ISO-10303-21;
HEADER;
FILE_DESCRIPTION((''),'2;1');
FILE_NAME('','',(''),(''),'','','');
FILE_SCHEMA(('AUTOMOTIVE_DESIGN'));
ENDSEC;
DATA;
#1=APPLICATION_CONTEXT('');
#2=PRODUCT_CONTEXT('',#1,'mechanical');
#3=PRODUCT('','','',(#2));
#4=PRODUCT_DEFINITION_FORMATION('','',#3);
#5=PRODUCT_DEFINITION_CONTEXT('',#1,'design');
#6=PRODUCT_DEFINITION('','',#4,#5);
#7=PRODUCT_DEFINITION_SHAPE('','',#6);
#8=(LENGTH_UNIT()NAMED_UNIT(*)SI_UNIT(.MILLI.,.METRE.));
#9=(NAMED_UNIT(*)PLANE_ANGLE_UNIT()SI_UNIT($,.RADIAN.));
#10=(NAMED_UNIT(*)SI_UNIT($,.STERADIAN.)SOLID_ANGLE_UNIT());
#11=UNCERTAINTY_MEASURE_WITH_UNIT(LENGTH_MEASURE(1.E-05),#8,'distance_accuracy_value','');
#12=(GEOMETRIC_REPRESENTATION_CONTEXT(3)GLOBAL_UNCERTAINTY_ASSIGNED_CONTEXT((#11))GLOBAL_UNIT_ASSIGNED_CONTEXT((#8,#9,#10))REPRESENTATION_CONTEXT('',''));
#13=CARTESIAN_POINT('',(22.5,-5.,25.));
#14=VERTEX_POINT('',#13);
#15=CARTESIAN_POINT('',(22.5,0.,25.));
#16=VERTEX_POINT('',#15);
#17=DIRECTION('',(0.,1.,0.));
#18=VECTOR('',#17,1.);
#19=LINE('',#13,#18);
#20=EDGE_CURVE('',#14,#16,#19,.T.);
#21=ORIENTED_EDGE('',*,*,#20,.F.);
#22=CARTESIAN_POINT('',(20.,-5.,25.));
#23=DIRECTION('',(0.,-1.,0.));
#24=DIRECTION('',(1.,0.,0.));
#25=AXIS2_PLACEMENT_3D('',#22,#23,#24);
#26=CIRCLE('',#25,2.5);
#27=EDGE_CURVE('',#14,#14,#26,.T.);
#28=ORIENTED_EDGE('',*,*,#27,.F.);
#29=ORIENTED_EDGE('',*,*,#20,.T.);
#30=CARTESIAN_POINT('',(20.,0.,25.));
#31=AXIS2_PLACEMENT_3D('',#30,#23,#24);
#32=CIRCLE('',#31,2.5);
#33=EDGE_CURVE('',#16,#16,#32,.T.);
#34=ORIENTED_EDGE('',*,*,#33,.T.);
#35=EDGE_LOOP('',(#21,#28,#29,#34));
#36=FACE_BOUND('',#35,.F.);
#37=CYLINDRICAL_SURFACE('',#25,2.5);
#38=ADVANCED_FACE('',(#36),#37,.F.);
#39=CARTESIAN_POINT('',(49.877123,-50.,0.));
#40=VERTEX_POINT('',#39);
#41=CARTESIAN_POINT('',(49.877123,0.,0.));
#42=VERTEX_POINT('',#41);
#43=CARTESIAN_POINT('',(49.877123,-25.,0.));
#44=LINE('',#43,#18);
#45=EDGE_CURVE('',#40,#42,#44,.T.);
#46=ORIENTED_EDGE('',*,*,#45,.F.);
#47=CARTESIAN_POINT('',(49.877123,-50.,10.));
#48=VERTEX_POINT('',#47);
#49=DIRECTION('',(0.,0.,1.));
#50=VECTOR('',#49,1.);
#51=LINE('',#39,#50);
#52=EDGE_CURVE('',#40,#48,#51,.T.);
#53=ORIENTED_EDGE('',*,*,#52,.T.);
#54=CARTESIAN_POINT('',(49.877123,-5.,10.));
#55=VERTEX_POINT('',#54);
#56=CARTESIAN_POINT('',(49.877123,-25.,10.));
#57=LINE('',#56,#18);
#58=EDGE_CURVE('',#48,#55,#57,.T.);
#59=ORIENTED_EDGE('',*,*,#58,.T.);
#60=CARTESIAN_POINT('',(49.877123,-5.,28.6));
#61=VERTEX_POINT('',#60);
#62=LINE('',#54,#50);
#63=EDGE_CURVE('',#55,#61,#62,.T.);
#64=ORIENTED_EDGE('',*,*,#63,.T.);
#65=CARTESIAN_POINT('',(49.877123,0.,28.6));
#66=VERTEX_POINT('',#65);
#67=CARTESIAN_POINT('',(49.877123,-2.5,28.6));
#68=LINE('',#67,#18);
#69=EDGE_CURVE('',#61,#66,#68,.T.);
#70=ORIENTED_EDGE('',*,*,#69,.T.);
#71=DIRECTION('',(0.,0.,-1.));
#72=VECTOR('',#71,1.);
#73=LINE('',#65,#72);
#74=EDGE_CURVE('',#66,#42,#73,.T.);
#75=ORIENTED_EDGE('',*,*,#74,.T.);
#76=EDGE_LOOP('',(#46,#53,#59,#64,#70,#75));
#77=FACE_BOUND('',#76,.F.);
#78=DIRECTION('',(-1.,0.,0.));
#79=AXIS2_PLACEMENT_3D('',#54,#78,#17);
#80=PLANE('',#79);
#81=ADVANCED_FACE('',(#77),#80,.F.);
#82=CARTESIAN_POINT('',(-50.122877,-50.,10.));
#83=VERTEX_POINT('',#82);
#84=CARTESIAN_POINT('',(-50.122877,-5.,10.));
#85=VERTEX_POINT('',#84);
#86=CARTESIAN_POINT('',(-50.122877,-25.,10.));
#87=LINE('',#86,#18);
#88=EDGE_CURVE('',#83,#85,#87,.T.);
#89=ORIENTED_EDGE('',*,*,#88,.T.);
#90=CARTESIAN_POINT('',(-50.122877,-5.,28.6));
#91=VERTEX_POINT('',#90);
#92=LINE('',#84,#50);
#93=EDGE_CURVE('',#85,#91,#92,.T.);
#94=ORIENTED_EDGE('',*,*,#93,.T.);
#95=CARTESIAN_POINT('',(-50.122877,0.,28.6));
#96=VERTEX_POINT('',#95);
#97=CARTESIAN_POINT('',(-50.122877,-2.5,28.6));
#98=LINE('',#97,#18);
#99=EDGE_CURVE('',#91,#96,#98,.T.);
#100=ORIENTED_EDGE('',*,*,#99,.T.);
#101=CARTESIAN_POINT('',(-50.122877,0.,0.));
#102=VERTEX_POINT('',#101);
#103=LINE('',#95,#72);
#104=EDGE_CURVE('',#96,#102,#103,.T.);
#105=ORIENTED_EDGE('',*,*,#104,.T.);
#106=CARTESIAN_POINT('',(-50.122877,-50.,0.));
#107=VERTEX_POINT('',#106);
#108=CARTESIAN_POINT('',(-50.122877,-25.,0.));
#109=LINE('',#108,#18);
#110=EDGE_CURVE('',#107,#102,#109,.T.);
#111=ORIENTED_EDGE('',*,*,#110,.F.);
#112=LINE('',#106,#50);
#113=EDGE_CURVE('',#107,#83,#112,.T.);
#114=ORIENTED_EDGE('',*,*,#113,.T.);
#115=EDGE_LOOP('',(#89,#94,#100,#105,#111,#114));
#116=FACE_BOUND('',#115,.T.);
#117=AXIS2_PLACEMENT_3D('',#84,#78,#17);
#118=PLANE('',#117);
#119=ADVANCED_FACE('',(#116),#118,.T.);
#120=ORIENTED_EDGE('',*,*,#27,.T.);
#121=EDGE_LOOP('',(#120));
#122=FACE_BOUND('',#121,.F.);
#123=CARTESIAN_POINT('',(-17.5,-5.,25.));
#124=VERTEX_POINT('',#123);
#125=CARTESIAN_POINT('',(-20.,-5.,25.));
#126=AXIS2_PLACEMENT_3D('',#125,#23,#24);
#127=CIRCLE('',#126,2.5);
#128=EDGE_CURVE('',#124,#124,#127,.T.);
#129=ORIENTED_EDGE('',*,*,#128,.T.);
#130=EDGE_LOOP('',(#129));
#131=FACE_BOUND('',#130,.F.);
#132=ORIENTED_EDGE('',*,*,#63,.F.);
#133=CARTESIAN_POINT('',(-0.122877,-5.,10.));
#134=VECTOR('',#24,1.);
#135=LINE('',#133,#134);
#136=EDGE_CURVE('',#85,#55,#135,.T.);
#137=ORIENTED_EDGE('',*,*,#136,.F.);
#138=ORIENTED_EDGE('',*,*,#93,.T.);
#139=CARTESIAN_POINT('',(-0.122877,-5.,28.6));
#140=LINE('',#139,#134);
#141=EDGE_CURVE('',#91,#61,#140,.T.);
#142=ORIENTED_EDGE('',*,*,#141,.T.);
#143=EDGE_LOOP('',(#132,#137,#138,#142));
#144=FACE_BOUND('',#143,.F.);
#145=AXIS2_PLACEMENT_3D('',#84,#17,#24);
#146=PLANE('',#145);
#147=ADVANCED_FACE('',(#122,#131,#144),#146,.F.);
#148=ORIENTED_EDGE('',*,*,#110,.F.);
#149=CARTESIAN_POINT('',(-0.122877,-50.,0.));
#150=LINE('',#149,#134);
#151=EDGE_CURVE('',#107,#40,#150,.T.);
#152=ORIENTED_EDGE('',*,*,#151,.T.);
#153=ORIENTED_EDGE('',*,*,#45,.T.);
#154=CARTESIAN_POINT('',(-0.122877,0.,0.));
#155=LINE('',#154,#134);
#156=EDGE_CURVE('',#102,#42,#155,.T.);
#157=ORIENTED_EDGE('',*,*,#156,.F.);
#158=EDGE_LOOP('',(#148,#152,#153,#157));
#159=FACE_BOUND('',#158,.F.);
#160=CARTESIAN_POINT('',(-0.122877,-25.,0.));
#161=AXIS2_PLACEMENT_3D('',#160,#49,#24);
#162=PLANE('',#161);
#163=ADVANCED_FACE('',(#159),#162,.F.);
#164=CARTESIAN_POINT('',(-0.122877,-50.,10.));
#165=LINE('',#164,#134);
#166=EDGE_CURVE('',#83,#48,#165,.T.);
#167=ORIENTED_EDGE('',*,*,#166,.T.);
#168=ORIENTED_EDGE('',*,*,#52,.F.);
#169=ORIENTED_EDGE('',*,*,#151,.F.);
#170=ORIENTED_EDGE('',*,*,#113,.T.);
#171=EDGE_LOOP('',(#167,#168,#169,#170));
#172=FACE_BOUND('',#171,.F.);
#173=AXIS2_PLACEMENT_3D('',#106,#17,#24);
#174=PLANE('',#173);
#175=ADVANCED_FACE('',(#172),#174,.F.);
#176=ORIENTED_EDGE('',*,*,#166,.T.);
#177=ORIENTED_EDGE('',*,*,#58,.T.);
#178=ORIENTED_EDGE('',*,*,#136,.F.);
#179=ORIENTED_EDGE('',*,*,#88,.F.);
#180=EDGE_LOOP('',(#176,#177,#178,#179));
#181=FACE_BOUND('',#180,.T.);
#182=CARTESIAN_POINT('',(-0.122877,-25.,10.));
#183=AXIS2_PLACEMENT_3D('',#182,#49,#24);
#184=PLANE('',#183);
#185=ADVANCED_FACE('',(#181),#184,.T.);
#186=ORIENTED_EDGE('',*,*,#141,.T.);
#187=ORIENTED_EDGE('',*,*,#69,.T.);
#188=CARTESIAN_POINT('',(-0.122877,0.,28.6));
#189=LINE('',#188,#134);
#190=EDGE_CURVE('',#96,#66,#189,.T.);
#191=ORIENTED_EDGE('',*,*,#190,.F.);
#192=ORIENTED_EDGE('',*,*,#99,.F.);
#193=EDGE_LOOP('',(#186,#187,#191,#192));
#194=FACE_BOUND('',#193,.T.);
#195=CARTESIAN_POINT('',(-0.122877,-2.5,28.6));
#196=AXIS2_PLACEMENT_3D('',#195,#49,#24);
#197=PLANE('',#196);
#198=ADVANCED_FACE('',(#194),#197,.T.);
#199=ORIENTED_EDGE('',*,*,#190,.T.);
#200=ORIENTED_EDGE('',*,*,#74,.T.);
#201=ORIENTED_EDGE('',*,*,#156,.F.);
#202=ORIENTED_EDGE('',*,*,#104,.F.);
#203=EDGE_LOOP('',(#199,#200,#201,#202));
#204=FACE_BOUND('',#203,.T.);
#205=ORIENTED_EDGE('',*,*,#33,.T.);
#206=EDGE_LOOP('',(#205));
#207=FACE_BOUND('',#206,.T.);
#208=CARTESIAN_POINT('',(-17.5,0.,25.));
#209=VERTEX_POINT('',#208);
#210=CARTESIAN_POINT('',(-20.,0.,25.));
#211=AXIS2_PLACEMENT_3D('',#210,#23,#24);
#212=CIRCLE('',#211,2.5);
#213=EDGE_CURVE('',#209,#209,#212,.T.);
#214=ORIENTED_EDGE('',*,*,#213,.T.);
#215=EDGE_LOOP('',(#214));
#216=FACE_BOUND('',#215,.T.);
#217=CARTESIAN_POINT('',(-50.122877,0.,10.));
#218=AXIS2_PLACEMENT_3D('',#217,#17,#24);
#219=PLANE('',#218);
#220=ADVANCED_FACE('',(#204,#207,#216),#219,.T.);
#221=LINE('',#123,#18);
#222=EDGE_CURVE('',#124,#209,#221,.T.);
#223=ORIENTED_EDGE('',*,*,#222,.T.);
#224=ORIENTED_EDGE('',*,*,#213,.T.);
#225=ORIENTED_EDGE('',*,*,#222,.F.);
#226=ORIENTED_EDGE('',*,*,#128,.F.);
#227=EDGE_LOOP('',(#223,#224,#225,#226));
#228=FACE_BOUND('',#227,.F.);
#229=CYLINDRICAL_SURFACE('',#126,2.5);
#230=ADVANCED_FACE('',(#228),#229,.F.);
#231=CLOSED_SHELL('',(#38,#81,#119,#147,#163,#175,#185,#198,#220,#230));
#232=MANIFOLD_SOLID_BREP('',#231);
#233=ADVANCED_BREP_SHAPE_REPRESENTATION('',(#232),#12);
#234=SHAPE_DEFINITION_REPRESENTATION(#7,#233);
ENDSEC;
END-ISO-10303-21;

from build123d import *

# Parameters (mm, degrees)
F0_W     = 100
F0_H     = 50
F1_DEPTH = 10
F2_W     = 100
F2_H     = 5
F3_DEPTH = 18.6
F4_R     = 2.5
F5_DEPTH = 5.001


with BuildPart() as f1:
    # F0 (on Top) → F1 (new body)
    with BuildSketch(Plane.XY):
        with Locations((-0.122877, -25)):
            Rectangle(F0_W, F0_H)
    extrude(amount=F1_DEPTH)

    # F2 (on face) → F3 (join)
    with BuildSketch(Plane.XY.offset(10)):
        with Locations((-0.122877, -2.5)):
            Rectangle(F2_W, F2_H)
    extrude(amount=F3_DEPTH)

    # F4 (on face) → F5 (cut, through all)
    with BuildSketch(Plane.XZ.offset(5)):
        with Locations((20, 25)):
            Circle(F4_R)
        with Locations((-20, 25)):
            Circle(F4_R)
    extrude(amount=-F5_DEPTH, mode=Mode.SUBTRACT)


solid = f1.part
